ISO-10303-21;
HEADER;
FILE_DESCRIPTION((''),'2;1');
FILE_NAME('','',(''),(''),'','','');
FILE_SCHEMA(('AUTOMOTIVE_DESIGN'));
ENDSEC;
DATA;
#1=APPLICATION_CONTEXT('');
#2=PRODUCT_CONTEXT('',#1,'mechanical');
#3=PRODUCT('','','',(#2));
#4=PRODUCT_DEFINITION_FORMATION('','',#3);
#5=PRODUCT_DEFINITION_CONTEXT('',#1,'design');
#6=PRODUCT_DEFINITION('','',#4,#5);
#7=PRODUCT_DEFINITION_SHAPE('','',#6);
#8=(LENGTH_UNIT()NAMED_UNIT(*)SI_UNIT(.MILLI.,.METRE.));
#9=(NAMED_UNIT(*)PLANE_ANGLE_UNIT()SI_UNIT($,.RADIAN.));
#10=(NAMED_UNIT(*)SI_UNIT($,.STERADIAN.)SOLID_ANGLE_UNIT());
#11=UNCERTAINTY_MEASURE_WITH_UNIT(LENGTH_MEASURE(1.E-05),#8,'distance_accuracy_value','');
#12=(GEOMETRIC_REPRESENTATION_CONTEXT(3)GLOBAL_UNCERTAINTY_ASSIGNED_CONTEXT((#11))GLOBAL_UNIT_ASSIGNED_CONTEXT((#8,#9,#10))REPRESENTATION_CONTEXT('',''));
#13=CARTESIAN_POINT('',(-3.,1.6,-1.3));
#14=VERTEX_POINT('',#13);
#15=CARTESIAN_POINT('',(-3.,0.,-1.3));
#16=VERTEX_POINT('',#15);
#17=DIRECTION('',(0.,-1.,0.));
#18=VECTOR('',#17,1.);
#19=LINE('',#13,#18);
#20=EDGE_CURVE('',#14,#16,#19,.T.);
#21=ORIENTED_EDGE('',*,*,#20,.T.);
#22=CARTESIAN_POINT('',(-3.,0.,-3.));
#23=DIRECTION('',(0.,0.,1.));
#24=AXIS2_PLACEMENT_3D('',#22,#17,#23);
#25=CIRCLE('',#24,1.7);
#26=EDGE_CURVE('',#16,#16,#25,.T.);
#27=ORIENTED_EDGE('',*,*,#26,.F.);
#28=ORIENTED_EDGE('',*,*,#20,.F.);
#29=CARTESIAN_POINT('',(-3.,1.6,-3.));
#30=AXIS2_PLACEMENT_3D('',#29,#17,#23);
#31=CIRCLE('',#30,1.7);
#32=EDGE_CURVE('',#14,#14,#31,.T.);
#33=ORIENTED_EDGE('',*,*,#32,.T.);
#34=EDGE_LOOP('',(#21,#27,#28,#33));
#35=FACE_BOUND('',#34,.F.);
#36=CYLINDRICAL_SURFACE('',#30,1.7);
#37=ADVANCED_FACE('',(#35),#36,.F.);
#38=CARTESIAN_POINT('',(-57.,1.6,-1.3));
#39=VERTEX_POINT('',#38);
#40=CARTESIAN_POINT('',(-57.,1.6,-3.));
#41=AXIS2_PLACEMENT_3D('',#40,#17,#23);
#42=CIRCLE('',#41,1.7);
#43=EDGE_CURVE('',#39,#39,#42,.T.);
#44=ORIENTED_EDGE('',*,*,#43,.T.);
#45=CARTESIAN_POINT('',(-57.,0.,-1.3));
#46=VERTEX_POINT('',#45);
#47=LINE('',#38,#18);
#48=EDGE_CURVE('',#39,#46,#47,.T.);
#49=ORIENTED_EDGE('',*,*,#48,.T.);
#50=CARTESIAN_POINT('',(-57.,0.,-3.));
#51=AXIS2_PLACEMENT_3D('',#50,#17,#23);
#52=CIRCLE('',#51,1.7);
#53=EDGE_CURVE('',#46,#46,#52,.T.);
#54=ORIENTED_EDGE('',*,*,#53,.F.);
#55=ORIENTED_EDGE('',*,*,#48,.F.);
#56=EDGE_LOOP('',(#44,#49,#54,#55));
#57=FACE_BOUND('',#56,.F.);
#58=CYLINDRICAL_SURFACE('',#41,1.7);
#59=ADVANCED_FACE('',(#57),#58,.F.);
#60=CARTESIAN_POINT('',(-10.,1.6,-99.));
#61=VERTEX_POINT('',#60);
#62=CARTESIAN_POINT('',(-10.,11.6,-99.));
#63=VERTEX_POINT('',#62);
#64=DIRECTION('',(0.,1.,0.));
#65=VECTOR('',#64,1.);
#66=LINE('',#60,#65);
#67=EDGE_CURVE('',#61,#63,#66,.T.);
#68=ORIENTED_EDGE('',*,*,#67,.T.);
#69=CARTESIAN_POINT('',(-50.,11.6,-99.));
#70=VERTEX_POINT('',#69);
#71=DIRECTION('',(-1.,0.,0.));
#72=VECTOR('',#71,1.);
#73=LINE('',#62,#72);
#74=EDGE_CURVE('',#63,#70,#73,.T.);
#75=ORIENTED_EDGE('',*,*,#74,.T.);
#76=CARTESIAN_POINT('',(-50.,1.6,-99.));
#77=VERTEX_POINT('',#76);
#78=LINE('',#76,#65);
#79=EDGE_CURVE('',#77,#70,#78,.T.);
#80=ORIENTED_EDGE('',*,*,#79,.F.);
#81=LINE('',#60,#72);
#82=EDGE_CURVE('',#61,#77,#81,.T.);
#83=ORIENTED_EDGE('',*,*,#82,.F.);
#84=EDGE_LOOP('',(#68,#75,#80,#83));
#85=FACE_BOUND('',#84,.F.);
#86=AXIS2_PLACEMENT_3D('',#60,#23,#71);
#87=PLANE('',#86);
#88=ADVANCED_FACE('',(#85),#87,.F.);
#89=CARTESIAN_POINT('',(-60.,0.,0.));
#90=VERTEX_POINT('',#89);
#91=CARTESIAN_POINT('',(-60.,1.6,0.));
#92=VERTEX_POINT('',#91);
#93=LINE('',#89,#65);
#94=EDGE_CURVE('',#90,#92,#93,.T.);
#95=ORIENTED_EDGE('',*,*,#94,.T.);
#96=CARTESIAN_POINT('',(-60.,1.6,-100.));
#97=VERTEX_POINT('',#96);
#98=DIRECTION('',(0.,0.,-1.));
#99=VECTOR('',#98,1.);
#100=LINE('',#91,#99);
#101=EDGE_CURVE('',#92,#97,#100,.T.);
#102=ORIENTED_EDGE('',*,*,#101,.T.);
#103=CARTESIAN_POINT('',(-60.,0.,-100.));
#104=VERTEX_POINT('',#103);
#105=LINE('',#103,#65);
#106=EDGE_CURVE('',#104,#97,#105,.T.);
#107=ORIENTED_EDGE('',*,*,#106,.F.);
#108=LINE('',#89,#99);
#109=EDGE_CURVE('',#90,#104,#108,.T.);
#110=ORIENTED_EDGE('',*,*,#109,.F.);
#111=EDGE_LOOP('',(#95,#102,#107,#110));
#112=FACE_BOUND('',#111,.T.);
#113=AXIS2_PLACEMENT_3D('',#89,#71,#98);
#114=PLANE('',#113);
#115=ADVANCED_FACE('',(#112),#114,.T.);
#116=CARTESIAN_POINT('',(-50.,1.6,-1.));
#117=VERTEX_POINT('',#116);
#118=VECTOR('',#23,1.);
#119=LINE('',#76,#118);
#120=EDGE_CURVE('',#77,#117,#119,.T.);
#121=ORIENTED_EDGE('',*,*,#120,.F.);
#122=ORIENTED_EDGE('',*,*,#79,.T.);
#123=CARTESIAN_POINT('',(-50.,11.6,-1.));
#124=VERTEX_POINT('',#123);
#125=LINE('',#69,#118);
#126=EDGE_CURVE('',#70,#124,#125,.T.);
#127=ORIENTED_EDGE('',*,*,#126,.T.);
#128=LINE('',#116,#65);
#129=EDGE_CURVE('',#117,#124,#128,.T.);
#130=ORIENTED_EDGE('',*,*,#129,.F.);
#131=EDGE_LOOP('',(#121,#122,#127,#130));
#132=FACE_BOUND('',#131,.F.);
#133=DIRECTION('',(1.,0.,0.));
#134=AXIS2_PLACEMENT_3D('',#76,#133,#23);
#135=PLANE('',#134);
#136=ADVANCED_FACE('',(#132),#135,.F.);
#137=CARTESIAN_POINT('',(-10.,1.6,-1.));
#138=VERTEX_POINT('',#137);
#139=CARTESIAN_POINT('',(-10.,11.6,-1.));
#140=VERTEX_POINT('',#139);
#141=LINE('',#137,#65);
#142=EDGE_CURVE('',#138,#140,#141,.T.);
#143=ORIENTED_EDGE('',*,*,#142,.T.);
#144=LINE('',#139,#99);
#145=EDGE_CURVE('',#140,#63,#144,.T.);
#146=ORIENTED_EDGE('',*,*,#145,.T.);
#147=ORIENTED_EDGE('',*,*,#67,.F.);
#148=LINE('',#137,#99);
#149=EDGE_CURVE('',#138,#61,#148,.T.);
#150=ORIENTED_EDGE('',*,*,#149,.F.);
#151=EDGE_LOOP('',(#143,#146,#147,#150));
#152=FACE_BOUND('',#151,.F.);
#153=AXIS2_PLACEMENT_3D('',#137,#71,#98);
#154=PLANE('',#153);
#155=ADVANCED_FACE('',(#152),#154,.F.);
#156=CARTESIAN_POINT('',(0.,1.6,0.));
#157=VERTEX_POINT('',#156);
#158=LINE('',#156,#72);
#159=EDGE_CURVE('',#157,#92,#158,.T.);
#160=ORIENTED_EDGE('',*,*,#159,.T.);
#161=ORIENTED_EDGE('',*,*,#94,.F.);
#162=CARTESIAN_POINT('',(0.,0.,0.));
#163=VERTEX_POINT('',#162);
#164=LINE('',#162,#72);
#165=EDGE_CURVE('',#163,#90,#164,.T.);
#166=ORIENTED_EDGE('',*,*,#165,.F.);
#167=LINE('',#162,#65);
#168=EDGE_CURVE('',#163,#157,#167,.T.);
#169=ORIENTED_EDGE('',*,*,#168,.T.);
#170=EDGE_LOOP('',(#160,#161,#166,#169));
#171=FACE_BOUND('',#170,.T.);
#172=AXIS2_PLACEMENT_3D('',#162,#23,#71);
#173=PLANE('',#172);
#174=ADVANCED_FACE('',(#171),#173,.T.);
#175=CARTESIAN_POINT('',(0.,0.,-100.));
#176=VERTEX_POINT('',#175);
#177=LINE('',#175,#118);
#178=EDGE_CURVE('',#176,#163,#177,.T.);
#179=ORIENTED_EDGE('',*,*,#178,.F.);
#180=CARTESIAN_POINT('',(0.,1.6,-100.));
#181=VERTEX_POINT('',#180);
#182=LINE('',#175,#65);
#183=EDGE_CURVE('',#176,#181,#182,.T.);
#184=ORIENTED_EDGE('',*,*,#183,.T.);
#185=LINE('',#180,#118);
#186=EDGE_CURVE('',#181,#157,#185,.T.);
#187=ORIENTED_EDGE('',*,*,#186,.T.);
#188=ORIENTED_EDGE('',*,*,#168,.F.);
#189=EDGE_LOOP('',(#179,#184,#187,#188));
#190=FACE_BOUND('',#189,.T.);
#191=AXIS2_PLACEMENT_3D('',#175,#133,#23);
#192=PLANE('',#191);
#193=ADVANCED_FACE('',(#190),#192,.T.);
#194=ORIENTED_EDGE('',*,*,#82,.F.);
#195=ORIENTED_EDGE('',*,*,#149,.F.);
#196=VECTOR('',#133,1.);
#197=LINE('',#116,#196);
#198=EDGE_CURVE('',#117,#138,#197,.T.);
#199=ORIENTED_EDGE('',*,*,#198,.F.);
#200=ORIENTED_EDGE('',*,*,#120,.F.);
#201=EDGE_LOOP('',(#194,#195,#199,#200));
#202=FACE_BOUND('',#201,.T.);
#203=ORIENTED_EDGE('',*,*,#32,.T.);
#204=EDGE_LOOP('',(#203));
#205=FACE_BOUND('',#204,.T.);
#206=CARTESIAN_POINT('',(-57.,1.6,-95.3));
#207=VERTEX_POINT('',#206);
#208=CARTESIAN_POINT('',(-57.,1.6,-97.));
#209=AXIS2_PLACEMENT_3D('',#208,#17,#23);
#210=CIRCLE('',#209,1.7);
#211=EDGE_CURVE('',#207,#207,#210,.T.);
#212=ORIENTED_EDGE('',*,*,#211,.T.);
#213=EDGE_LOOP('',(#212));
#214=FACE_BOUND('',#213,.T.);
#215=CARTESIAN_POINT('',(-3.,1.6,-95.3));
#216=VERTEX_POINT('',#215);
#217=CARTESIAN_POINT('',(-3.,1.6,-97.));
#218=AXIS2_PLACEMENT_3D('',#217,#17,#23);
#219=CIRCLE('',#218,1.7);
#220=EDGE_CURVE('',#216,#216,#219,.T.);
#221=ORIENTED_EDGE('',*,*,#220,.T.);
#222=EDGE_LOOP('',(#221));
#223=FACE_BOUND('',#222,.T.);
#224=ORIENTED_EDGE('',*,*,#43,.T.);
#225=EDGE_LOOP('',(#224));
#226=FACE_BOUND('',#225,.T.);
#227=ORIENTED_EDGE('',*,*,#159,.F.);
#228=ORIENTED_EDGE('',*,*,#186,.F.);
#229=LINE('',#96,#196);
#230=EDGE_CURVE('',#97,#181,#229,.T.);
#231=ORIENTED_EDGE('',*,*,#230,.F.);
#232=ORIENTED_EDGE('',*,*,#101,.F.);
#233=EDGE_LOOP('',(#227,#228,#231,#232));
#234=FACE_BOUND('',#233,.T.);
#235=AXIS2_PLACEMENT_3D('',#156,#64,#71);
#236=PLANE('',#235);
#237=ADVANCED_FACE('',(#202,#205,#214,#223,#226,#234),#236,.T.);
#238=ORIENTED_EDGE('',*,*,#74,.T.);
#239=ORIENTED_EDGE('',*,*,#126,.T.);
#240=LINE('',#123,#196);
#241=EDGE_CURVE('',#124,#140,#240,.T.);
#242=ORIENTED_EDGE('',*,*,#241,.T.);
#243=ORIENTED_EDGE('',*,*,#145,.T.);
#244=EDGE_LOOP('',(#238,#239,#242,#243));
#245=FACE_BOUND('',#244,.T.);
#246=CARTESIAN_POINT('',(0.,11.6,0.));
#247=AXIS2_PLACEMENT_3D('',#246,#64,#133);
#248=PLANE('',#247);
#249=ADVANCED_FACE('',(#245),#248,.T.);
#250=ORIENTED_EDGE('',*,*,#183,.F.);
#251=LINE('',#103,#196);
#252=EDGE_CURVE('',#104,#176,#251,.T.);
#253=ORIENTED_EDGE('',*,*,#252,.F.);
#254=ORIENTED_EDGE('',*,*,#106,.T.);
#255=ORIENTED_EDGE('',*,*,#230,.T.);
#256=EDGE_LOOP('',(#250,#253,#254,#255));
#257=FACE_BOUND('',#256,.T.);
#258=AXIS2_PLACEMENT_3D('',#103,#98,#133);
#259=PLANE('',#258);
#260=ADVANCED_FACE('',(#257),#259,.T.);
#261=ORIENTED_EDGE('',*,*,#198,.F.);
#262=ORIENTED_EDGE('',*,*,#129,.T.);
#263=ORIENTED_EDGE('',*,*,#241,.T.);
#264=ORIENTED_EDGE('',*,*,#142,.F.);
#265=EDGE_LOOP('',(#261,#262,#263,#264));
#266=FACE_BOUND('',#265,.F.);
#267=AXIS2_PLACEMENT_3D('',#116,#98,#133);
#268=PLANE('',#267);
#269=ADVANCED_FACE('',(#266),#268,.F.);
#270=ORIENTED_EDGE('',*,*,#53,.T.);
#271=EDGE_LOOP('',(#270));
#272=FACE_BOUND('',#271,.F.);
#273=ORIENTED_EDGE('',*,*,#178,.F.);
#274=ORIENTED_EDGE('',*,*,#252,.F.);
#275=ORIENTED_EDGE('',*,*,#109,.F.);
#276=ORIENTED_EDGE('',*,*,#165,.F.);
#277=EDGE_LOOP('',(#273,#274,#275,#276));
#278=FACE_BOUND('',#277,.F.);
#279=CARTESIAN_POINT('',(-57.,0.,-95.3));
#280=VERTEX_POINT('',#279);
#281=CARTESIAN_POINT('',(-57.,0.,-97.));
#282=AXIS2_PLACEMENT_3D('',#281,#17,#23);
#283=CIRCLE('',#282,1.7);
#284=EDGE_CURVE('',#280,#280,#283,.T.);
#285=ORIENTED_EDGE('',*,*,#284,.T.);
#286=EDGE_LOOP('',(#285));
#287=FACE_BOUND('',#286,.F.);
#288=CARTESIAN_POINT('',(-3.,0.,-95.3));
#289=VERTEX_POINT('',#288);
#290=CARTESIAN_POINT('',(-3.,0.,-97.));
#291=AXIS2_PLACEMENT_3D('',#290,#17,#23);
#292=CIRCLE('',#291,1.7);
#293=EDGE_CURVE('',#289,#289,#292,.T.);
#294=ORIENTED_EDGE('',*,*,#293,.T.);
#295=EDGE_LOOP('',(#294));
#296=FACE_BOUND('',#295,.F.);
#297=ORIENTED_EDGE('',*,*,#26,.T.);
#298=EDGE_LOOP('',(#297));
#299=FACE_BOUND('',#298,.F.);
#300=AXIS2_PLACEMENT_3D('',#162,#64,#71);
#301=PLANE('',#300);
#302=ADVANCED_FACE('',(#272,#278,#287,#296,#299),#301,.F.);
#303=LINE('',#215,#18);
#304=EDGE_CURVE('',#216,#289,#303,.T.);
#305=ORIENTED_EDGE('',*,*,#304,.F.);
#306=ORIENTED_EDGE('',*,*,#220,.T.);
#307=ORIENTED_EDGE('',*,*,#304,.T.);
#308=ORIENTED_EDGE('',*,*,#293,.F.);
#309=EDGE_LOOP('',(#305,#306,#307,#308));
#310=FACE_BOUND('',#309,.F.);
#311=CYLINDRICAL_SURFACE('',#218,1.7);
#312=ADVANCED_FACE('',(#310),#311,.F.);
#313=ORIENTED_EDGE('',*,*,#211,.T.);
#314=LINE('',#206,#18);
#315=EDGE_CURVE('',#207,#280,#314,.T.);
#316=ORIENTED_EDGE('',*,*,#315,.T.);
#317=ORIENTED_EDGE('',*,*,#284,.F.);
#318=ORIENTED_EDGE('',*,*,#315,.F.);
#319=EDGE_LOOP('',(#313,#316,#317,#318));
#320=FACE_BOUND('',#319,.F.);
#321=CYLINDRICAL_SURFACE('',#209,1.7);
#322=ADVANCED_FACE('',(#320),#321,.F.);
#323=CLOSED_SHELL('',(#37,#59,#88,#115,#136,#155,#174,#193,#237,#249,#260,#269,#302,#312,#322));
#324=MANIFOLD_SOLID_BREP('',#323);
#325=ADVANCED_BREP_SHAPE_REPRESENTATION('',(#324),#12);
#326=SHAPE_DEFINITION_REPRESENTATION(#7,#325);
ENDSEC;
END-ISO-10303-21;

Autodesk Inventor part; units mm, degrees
ref_plane "YZ Plane" through (0, 0, 0) normal (1, 0, 0) x (0, 1, 0)
ref_plane "XZ Plane" through (0, 0, 0) normal (0, 1, 0) x (-1, 0, 0)
sketch "Sketch1" plane through (0, 0, 0) normal (0, 1, 0) x (-1, 0, 0)
  line L0 (0, 0) -> (60, 0)
  line L1 (60, 0) -> (60, -100)
  line L2 (60, -100) -> (0, -100)
  line L3 (0, -100) -> (0, 0)
  dimension "d0" = 60
  dimension "d1" = 100
extrude "Extrusion1" add sketch "Sketch1" along normal blind 1.6
sketch "Sketch2" plane through (0, 1.6, 0) normal (0, 1, 0) x (1, 0, 0)
  line L0 (-60, 0) -> (0, 0) projected
  line L1 (0, 0) -> (0, 100) projected
  point P0 (-3, 3)
  point P1 (-57, 3)
  point P2 (-3, 97)
  point P3 (-57, 97)
  dimension "d4" = 3
  dimension "d5" = 3
  dimension "d8" = 54
  dimension "d11" = 94
hole "Hole1" at (-3, 1.6, -3) at (-57, 1.6, -3) at (-3, 1.6, -97) at (-57, 1.6, -97) direction (0, -1, 0) diameter 3.4 end through all clearance for "Flat Head Machine Screw" size "M3" standard "Ansi Metric M Profile"
sketch "Sketch3" plane through (0, 1.6, 0) normal (0, 1, 0) x (1, 0, 0)
  line L0 (0, 0) -> (-60, 0) construction
  line L1 (-30, 0) -> (-30, 100) construction
  line L2 (-60, 100) -> (0, 100) construction
  line L3 (-50, 1) -> (-10, 1)
  line L4 (-10, 1) -> (-10, 99)
  line L5 (-10, 99) -> (-50, 99)
  line L6 (-50, 99) -> (-50, 1)
  line L7 (-50, 1) -> (-10, 99) construction
  point P0 (-30, 50)
  dimension "d21" = 40
  dimension "d22" = 98
extrude "Extrusion2" add sketch "Sketch3" along normal blind 10
ref_plane "Work Plane1" through (-50, 1.6, -50) normal (0, 0, 1) x (1, 0, 0)
properties part number "LCD Screen"
